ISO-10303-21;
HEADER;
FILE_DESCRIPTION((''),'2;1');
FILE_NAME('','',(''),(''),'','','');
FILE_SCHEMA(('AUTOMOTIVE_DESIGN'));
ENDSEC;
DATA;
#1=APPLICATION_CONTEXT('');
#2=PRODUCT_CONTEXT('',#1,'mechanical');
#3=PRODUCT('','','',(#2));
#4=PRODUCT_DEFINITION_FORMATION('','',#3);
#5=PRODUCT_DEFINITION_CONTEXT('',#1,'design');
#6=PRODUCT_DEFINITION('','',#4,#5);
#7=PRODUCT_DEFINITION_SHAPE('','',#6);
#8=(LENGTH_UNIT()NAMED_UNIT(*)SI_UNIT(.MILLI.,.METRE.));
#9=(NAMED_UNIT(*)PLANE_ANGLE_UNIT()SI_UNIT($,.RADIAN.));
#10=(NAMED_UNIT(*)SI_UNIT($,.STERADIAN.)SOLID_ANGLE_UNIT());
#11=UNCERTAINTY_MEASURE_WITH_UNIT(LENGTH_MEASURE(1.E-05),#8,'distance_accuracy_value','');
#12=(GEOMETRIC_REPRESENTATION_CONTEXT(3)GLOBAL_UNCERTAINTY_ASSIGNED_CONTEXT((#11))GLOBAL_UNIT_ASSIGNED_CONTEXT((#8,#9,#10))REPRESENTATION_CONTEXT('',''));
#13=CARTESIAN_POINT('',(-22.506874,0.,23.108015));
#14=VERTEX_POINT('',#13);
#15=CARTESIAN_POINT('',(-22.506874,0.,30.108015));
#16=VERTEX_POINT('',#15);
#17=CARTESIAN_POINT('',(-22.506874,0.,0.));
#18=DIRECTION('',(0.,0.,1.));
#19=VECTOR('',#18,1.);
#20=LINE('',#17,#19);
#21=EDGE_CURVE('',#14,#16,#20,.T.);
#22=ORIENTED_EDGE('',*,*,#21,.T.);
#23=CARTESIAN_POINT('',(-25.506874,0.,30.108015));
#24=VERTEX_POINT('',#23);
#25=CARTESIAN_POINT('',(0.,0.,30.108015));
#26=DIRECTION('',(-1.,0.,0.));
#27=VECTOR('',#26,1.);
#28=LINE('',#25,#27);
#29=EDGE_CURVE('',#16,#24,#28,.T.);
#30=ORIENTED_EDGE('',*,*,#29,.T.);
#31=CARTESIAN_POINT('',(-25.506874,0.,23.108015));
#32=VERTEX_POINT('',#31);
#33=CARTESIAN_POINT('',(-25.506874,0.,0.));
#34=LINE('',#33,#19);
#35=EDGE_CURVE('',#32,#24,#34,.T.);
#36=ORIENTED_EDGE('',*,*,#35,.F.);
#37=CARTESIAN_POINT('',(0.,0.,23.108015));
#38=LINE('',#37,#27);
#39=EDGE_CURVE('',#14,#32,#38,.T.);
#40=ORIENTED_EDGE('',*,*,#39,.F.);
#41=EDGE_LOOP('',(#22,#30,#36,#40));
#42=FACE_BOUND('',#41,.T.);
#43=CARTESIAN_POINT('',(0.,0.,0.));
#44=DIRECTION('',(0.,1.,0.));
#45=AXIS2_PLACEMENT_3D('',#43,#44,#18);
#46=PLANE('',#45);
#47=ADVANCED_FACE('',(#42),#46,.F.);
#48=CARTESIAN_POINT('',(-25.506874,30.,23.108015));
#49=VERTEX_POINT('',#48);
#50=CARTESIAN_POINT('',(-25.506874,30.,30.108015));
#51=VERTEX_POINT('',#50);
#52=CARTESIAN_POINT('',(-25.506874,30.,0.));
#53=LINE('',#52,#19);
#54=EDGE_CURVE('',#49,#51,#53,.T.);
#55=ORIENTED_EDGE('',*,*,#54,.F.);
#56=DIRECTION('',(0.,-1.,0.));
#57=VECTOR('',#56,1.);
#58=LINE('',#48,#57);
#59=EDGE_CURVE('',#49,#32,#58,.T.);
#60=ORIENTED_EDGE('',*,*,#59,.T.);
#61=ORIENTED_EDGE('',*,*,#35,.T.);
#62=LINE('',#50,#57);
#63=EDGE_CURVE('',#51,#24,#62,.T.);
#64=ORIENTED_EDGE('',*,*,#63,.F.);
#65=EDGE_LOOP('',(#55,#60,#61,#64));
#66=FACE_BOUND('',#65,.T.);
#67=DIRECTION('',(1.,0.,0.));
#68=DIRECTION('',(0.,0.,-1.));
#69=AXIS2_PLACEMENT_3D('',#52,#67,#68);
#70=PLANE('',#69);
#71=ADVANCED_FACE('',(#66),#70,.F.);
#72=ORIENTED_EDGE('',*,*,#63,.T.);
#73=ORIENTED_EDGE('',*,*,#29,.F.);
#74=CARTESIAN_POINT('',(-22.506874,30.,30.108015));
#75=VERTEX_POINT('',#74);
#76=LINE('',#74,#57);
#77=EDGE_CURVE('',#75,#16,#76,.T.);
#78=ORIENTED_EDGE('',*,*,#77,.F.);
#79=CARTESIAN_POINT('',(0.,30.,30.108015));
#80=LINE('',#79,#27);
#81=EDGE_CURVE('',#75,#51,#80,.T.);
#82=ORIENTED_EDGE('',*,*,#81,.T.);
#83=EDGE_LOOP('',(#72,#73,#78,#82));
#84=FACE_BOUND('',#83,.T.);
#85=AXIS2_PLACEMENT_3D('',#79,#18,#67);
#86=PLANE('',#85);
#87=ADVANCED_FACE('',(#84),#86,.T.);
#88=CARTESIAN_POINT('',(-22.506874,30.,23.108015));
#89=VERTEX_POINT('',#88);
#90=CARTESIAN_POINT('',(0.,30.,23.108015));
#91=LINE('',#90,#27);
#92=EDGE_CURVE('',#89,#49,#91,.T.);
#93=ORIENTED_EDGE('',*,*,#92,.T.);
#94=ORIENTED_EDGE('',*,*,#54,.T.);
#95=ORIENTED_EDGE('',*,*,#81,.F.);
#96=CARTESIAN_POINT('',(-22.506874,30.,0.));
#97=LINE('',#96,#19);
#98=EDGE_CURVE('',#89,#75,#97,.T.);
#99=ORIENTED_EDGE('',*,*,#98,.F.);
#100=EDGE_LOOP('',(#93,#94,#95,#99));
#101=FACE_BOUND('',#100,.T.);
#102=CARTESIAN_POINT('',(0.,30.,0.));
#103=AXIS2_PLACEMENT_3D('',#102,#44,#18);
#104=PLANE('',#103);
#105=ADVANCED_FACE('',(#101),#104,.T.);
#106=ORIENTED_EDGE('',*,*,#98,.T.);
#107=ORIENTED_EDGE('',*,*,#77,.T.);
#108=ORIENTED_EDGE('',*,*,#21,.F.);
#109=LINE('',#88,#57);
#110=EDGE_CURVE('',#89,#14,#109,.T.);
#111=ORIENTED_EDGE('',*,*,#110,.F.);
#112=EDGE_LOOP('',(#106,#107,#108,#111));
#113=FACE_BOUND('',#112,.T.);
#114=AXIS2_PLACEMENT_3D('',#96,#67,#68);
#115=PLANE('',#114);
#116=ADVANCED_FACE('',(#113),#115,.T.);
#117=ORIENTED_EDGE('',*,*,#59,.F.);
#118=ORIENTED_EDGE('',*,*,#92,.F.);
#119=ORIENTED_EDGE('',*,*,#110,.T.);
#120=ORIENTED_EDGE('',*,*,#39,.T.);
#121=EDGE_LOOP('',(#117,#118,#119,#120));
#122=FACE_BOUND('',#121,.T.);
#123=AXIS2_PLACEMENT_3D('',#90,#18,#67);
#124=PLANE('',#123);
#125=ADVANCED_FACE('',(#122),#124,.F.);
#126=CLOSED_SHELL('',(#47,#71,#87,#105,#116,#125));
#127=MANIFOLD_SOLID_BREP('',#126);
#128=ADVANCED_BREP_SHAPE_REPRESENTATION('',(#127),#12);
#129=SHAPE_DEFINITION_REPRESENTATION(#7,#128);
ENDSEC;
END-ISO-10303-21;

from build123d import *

# Parameters (mm, degrees)
SKETCH1_W           = 3
SKETCH1_H           = 7
BOSS_EXTRUDE1_DEPTH = 30


with BuildPart() as part:
    # Sketch1 → Boss-Extrude1 (new body)
    with BuildSketch(Plane(origin=(0, 0, 0), x_dir=(1, 0, 0), z_dir=(0, 1, 0))):
        with Locations((-24.006873678, -26.608014532)):
            Rectangle(SKETCH1_W, SKETCH1_H)
    extrude(amount=BOSS_EXTRUDE1_DEPTH)


solid = part.part
